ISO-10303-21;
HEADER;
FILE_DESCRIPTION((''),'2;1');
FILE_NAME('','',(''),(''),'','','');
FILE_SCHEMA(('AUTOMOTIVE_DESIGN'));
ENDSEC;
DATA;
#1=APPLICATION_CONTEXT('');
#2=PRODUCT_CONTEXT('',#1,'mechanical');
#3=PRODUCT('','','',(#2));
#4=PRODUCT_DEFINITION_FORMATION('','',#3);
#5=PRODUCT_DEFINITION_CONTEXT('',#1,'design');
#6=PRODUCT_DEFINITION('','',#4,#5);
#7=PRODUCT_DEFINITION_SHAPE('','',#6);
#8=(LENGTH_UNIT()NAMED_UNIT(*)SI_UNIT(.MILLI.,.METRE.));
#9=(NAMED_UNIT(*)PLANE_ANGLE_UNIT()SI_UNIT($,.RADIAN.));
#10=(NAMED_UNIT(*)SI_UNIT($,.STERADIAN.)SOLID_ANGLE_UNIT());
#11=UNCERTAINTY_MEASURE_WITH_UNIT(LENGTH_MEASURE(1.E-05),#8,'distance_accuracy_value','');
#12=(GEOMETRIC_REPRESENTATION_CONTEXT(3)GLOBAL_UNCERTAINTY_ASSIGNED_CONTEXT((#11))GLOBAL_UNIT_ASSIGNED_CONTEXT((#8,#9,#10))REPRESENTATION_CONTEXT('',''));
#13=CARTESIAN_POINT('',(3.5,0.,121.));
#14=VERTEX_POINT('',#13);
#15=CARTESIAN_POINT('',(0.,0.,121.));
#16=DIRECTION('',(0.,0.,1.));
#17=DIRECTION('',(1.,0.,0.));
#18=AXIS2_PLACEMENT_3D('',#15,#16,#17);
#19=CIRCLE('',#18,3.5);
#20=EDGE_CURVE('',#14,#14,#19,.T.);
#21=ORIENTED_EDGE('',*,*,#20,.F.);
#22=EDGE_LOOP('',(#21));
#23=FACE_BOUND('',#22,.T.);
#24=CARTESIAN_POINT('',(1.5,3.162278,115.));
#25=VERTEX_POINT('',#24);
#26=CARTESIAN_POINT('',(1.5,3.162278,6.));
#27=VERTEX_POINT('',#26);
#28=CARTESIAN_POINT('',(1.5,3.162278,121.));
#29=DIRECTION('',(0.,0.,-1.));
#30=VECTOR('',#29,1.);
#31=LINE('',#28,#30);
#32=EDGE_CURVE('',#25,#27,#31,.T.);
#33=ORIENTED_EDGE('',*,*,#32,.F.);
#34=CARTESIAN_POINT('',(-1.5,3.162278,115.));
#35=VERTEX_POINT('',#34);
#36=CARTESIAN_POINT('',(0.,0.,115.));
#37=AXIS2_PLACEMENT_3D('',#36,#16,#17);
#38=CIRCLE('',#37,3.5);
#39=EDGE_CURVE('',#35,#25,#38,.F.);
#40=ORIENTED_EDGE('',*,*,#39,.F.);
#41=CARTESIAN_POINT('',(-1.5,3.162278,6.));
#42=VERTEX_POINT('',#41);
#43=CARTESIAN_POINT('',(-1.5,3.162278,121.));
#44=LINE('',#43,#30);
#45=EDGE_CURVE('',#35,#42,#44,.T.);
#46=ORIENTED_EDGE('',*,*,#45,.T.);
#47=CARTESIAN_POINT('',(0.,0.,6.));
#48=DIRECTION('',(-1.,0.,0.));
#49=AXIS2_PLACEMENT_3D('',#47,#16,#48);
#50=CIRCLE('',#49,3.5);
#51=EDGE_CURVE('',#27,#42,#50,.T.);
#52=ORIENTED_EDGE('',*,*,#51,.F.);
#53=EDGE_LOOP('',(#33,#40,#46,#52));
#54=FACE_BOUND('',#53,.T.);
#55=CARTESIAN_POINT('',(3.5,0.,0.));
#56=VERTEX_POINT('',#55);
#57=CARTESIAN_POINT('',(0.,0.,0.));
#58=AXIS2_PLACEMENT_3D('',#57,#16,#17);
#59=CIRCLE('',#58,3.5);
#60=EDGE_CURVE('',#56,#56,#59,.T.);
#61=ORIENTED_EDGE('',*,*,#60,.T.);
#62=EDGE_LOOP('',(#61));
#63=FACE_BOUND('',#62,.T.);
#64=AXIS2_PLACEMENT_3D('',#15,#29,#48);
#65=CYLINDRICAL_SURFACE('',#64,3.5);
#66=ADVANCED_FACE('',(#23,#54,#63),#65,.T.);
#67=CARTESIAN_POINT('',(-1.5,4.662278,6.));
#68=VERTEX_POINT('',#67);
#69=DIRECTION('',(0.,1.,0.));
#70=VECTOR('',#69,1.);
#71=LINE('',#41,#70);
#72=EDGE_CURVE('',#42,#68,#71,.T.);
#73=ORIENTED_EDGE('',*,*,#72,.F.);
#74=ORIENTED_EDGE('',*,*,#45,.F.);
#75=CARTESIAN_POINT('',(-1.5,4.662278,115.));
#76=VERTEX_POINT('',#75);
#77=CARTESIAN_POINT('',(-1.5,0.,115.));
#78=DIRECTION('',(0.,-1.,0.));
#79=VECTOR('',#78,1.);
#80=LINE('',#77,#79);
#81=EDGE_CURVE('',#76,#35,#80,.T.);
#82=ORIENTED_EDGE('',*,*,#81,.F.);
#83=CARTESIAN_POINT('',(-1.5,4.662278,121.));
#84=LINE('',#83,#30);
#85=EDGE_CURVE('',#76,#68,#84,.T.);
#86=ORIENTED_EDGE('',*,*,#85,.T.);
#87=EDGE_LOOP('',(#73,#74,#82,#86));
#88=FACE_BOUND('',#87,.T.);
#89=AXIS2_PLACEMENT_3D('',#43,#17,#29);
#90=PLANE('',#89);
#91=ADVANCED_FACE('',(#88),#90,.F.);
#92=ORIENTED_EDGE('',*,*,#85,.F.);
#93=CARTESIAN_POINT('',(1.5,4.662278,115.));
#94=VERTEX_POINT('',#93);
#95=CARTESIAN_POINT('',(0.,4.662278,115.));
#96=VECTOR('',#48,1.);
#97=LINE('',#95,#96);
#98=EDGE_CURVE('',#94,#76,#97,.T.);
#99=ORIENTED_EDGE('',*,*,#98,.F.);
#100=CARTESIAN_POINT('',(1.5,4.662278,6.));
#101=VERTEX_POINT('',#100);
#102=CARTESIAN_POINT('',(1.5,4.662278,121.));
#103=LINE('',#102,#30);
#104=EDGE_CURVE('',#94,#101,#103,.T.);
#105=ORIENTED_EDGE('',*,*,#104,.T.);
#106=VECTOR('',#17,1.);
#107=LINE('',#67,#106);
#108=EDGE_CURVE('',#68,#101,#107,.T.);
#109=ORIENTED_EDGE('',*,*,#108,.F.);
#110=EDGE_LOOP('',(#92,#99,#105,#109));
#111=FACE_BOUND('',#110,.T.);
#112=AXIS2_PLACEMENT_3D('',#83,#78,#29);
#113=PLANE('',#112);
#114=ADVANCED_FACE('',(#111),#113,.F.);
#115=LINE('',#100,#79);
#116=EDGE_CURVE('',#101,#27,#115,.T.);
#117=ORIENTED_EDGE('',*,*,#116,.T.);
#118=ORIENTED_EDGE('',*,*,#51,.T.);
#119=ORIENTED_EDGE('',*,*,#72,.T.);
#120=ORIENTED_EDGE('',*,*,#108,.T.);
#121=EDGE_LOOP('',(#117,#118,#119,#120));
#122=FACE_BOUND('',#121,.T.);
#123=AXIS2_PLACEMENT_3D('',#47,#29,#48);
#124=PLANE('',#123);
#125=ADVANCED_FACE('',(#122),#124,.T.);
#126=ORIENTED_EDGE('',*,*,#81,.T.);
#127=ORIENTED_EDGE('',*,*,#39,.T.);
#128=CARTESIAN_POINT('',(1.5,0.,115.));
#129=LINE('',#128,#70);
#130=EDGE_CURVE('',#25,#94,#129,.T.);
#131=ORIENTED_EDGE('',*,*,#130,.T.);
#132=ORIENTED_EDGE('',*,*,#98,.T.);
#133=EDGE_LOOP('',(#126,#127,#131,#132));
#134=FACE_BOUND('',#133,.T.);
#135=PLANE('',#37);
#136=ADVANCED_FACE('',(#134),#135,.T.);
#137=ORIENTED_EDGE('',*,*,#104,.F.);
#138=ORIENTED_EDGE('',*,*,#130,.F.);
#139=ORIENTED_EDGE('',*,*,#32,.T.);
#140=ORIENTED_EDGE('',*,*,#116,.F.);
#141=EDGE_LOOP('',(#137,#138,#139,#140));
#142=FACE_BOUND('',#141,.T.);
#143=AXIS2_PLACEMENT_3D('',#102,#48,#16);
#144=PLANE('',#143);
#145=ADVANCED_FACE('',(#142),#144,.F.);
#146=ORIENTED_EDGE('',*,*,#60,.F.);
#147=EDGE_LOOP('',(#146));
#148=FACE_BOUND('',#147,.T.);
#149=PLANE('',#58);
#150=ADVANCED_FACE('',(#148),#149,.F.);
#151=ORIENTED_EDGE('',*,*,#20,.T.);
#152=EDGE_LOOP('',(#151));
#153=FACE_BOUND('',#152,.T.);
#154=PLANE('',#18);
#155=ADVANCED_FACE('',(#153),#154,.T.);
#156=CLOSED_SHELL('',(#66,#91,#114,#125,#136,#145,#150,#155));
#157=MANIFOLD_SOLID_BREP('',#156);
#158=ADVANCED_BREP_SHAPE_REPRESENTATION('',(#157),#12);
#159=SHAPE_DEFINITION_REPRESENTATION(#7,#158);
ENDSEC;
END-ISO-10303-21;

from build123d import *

# Parameters (mm, degrees)
BOSS_EXTRU_1_DEPTH      = 121
ENL_V_START             = -6
ENL_V_MAT_EXTRU_1_DEPTH = 6
ENL_V_MAT_EXTRU_2_DEPTH = 6


with BuildPart() as part:
    # Esquisse1 → Boss.-Extru.1 (new body)
    with BuildSketch(Plane.XY):
        with BuildLine():
            Line((-1.5, 3.16227766), (-1.5, 4.66227766))
            Line((-1.5, 4.66227766), (1.5, 4.66227766))
            Line((1.5, 4.66227766), (1.5, 3.16227766))
            ThreePointArc((1.5, 3.16227766), (0, -3.5), (-1.5, 3.16227766))
        make_face()
    extrude(amount=BOSS_EXTRU_1_DEPTH)

    # Esquisse2 → Enlèv. mat.-Extru.1 (cut)
    with BuildSketch(Plane.XY.offset(121).offset(ENL_V_START)):
        with BuildLine():
            ThreePointArc((-1.5, 3.16227766), (0, 3.5), (1.5, 3.16227766))
            Line((1.5, 3.16227766), (1.5, 4.66227766))
            Line((1.5, 4.66227766), (-1.5, 4.66227766))
            Line((-1.5, 4.66227766), (-1.5, 3.16227766))
        make_face()
    extrude(amount=ENL_V_MAT_EXTRU_1_DEPTH, mode=Mode.SUBTRACT)

    # Esquisse3 → Enlèv. mat.-Extru.2 (cut)
    with BuildSketch(Plane(origin=(0, 0, 0), x_dir=(-1, 0, 0), z_dir=(0, 0, -1))):
        with BuildLine():
            Line((-1.5, 4.66227766), (-1.5, 3.16227766))
            ThreePointArc((-1.5, 3.16227766), (0, 3.5), (1.5, 3.16227766))
            Line((1.5, 3.16227766), (1.5, 4.66227766))
            Line((1.5, 4.66227766), (-1.5, 4.66227766))
        make_face()
    extrude(amount=-ENL_V_MAT_EXTRU_2_DEPTH, mode=Mode.SUBTRACT)


solid = part.part
